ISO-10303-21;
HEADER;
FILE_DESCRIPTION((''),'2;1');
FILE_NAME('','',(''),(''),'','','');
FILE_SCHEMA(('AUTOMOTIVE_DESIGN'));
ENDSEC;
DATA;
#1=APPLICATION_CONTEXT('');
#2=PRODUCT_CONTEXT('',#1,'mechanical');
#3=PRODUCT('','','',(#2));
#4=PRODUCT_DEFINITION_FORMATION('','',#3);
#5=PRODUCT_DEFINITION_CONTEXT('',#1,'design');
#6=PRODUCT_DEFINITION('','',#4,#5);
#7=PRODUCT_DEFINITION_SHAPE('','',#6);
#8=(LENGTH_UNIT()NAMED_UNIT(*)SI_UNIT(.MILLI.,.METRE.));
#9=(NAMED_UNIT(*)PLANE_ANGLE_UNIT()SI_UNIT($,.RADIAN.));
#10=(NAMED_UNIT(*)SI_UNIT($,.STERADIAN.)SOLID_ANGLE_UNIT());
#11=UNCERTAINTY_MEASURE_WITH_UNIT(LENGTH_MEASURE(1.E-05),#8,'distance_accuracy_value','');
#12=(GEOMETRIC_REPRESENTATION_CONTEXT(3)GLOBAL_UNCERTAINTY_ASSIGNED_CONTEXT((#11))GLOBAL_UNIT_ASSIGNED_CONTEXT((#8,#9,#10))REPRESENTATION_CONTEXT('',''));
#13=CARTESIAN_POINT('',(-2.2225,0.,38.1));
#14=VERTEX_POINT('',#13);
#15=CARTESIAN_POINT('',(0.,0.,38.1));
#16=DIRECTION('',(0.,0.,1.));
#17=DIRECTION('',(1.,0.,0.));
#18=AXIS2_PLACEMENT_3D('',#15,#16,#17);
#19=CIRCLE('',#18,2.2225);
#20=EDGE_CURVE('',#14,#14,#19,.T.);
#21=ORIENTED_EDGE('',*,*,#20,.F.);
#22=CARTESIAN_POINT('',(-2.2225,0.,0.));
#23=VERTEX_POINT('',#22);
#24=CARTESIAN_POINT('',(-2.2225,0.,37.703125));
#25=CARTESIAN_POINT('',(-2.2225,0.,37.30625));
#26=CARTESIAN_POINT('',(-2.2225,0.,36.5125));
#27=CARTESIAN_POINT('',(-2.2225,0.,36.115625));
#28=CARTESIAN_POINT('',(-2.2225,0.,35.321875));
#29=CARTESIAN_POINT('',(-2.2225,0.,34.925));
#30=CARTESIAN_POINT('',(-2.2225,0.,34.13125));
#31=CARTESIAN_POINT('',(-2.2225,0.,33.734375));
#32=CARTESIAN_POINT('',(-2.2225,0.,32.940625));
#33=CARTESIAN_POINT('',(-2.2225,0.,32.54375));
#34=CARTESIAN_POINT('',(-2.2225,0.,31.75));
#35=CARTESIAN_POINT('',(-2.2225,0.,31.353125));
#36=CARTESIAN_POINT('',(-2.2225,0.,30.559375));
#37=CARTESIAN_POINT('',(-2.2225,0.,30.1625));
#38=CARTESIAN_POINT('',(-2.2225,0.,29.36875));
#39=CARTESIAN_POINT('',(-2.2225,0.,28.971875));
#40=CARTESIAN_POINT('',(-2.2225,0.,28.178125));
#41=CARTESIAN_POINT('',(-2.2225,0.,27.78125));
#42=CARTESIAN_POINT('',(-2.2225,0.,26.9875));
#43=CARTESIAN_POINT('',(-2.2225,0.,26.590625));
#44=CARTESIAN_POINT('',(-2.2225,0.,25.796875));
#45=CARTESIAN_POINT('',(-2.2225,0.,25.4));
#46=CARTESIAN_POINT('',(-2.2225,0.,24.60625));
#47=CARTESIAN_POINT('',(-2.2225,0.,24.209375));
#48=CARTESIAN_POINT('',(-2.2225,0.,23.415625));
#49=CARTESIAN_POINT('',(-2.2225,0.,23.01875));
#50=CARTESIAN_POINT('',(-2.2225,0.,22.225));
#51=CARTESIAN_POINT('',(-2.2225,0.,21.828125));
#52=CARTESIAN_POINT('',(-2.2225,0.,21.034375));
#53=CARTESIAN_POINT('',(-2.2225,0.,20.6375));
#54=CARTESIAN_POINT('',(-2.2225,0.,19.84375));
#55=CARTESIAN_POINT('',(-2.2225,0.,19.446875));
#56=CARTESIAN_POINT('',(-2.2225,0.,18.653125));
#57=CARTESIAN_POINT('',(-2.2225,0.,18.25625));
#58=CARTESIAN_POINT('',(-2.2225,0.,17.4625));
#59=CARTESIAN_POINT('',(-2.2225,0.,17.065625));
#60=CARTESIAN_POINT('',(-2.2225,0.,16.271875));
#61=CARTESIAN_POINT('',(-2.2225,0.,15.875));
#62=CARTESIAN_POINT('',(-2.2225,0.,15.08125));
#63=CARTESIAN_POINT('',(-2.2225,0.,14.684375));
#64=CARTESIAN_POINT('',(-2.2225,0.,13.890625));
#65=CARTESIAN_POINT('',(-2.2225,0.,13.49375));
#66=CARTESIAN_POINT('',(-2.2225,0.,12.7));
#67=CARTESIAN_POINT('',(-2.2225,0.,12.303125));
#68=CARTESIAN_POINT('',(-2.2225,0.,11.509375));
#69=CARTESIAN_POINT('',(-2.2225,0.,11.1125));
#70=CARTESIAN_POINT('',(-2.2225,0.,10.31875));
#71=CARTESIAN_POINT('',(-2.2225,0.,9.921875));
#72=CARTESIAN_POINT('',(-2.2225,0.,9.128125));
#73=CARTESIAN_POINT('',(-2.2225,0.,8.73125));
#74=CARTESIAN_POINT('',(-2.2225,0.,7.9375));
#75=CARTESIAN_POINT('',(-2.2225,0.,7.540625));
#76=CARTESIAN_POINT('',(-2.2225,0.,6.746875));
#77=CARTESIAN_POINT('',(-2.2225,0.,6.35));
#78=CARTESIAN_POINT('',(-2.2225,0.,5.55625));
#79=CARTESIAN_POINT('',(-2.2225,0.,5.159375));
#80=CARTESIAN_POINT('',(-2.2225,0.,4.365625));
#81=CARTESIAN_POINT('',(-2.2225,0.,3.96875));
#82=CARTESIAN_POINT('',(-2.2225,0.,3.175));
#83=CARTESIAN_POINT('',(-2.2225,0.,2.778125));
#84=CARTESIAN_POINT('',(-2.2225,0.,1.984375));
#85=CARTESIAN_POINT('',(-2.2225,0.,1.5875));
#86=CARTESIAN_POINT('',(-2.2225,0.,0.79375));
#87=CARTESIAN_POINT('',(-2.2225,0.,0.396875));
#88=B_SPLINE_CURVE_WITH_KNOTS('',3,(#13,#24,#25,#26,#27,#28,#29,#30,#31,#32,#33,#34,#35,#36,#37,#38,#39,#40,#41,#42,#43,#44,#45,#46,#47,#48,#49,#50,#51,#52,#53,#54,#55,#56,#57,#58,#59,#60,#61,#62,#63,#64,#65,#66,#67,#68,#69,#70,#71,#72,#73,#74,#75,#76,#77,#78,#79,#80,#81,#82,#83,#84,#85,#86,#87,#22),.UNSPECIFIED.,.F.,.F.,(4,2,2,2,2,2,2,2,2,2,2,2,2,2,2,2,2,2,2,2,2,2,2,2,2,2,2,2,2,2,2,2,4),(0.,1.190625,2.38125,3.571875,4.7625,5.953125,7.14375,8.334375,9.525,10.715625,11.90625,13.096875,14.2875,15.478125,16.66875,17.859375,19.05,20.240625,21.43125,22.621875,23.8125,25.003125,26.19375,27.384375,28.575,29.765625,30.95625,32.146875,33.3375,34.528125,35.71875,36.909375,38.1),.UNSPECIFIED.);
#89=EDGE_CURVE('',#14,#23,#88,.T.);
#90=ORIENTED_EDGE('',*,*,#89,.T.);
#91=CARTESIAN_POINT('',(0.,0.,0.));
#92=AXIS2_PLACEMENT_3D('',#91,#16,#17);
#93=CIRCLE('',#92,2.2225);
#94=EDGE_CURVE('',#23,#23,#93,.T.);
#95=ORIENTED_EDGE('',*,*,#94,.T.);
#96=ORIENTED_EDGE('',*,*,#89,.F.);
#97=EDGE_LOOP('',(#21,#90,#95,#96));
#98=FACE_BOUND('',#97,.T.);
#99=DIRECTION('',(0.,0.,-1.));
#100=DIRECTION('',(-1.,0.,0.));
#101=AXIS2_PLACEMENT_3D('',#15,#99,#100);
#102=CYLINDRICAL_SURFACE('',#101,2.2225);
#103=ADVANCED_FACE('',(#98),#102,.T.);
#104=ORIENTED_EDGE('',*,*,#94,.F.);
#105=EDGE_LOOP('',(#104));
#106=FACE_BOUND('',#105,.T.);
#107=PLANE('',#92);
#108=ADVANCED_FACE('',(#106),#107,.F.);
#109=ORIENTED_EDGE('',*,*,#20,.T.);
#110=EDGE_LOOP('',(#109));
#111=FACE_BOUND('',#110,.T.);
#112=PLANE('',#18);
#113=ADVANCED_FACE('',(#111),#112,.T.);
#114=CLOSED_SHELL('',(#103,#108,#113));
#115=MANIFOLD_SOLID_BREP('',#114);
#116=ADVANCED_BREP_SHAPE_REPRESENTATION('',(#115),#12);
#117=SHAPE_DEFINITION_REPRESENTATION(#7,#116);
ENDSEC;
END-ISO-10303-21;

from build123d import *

# Parameters (mm, degrees)
SKETCH1_R           = 2.2225
BOSS_EXTRUDE1_DEPTH = 38.1


with BuildPart() as part:
    # Sketch1 → Boss-Extrude1 (new body)
    with BuildSketch(Plane.XY):
        with Locations(Location((0, 0, 0), (0, 0, 180))):
            Circle(SKETCH1_R)
    extrude(amount=BOSS_EXTRUDE1_DEPTH)


solid = part.part
